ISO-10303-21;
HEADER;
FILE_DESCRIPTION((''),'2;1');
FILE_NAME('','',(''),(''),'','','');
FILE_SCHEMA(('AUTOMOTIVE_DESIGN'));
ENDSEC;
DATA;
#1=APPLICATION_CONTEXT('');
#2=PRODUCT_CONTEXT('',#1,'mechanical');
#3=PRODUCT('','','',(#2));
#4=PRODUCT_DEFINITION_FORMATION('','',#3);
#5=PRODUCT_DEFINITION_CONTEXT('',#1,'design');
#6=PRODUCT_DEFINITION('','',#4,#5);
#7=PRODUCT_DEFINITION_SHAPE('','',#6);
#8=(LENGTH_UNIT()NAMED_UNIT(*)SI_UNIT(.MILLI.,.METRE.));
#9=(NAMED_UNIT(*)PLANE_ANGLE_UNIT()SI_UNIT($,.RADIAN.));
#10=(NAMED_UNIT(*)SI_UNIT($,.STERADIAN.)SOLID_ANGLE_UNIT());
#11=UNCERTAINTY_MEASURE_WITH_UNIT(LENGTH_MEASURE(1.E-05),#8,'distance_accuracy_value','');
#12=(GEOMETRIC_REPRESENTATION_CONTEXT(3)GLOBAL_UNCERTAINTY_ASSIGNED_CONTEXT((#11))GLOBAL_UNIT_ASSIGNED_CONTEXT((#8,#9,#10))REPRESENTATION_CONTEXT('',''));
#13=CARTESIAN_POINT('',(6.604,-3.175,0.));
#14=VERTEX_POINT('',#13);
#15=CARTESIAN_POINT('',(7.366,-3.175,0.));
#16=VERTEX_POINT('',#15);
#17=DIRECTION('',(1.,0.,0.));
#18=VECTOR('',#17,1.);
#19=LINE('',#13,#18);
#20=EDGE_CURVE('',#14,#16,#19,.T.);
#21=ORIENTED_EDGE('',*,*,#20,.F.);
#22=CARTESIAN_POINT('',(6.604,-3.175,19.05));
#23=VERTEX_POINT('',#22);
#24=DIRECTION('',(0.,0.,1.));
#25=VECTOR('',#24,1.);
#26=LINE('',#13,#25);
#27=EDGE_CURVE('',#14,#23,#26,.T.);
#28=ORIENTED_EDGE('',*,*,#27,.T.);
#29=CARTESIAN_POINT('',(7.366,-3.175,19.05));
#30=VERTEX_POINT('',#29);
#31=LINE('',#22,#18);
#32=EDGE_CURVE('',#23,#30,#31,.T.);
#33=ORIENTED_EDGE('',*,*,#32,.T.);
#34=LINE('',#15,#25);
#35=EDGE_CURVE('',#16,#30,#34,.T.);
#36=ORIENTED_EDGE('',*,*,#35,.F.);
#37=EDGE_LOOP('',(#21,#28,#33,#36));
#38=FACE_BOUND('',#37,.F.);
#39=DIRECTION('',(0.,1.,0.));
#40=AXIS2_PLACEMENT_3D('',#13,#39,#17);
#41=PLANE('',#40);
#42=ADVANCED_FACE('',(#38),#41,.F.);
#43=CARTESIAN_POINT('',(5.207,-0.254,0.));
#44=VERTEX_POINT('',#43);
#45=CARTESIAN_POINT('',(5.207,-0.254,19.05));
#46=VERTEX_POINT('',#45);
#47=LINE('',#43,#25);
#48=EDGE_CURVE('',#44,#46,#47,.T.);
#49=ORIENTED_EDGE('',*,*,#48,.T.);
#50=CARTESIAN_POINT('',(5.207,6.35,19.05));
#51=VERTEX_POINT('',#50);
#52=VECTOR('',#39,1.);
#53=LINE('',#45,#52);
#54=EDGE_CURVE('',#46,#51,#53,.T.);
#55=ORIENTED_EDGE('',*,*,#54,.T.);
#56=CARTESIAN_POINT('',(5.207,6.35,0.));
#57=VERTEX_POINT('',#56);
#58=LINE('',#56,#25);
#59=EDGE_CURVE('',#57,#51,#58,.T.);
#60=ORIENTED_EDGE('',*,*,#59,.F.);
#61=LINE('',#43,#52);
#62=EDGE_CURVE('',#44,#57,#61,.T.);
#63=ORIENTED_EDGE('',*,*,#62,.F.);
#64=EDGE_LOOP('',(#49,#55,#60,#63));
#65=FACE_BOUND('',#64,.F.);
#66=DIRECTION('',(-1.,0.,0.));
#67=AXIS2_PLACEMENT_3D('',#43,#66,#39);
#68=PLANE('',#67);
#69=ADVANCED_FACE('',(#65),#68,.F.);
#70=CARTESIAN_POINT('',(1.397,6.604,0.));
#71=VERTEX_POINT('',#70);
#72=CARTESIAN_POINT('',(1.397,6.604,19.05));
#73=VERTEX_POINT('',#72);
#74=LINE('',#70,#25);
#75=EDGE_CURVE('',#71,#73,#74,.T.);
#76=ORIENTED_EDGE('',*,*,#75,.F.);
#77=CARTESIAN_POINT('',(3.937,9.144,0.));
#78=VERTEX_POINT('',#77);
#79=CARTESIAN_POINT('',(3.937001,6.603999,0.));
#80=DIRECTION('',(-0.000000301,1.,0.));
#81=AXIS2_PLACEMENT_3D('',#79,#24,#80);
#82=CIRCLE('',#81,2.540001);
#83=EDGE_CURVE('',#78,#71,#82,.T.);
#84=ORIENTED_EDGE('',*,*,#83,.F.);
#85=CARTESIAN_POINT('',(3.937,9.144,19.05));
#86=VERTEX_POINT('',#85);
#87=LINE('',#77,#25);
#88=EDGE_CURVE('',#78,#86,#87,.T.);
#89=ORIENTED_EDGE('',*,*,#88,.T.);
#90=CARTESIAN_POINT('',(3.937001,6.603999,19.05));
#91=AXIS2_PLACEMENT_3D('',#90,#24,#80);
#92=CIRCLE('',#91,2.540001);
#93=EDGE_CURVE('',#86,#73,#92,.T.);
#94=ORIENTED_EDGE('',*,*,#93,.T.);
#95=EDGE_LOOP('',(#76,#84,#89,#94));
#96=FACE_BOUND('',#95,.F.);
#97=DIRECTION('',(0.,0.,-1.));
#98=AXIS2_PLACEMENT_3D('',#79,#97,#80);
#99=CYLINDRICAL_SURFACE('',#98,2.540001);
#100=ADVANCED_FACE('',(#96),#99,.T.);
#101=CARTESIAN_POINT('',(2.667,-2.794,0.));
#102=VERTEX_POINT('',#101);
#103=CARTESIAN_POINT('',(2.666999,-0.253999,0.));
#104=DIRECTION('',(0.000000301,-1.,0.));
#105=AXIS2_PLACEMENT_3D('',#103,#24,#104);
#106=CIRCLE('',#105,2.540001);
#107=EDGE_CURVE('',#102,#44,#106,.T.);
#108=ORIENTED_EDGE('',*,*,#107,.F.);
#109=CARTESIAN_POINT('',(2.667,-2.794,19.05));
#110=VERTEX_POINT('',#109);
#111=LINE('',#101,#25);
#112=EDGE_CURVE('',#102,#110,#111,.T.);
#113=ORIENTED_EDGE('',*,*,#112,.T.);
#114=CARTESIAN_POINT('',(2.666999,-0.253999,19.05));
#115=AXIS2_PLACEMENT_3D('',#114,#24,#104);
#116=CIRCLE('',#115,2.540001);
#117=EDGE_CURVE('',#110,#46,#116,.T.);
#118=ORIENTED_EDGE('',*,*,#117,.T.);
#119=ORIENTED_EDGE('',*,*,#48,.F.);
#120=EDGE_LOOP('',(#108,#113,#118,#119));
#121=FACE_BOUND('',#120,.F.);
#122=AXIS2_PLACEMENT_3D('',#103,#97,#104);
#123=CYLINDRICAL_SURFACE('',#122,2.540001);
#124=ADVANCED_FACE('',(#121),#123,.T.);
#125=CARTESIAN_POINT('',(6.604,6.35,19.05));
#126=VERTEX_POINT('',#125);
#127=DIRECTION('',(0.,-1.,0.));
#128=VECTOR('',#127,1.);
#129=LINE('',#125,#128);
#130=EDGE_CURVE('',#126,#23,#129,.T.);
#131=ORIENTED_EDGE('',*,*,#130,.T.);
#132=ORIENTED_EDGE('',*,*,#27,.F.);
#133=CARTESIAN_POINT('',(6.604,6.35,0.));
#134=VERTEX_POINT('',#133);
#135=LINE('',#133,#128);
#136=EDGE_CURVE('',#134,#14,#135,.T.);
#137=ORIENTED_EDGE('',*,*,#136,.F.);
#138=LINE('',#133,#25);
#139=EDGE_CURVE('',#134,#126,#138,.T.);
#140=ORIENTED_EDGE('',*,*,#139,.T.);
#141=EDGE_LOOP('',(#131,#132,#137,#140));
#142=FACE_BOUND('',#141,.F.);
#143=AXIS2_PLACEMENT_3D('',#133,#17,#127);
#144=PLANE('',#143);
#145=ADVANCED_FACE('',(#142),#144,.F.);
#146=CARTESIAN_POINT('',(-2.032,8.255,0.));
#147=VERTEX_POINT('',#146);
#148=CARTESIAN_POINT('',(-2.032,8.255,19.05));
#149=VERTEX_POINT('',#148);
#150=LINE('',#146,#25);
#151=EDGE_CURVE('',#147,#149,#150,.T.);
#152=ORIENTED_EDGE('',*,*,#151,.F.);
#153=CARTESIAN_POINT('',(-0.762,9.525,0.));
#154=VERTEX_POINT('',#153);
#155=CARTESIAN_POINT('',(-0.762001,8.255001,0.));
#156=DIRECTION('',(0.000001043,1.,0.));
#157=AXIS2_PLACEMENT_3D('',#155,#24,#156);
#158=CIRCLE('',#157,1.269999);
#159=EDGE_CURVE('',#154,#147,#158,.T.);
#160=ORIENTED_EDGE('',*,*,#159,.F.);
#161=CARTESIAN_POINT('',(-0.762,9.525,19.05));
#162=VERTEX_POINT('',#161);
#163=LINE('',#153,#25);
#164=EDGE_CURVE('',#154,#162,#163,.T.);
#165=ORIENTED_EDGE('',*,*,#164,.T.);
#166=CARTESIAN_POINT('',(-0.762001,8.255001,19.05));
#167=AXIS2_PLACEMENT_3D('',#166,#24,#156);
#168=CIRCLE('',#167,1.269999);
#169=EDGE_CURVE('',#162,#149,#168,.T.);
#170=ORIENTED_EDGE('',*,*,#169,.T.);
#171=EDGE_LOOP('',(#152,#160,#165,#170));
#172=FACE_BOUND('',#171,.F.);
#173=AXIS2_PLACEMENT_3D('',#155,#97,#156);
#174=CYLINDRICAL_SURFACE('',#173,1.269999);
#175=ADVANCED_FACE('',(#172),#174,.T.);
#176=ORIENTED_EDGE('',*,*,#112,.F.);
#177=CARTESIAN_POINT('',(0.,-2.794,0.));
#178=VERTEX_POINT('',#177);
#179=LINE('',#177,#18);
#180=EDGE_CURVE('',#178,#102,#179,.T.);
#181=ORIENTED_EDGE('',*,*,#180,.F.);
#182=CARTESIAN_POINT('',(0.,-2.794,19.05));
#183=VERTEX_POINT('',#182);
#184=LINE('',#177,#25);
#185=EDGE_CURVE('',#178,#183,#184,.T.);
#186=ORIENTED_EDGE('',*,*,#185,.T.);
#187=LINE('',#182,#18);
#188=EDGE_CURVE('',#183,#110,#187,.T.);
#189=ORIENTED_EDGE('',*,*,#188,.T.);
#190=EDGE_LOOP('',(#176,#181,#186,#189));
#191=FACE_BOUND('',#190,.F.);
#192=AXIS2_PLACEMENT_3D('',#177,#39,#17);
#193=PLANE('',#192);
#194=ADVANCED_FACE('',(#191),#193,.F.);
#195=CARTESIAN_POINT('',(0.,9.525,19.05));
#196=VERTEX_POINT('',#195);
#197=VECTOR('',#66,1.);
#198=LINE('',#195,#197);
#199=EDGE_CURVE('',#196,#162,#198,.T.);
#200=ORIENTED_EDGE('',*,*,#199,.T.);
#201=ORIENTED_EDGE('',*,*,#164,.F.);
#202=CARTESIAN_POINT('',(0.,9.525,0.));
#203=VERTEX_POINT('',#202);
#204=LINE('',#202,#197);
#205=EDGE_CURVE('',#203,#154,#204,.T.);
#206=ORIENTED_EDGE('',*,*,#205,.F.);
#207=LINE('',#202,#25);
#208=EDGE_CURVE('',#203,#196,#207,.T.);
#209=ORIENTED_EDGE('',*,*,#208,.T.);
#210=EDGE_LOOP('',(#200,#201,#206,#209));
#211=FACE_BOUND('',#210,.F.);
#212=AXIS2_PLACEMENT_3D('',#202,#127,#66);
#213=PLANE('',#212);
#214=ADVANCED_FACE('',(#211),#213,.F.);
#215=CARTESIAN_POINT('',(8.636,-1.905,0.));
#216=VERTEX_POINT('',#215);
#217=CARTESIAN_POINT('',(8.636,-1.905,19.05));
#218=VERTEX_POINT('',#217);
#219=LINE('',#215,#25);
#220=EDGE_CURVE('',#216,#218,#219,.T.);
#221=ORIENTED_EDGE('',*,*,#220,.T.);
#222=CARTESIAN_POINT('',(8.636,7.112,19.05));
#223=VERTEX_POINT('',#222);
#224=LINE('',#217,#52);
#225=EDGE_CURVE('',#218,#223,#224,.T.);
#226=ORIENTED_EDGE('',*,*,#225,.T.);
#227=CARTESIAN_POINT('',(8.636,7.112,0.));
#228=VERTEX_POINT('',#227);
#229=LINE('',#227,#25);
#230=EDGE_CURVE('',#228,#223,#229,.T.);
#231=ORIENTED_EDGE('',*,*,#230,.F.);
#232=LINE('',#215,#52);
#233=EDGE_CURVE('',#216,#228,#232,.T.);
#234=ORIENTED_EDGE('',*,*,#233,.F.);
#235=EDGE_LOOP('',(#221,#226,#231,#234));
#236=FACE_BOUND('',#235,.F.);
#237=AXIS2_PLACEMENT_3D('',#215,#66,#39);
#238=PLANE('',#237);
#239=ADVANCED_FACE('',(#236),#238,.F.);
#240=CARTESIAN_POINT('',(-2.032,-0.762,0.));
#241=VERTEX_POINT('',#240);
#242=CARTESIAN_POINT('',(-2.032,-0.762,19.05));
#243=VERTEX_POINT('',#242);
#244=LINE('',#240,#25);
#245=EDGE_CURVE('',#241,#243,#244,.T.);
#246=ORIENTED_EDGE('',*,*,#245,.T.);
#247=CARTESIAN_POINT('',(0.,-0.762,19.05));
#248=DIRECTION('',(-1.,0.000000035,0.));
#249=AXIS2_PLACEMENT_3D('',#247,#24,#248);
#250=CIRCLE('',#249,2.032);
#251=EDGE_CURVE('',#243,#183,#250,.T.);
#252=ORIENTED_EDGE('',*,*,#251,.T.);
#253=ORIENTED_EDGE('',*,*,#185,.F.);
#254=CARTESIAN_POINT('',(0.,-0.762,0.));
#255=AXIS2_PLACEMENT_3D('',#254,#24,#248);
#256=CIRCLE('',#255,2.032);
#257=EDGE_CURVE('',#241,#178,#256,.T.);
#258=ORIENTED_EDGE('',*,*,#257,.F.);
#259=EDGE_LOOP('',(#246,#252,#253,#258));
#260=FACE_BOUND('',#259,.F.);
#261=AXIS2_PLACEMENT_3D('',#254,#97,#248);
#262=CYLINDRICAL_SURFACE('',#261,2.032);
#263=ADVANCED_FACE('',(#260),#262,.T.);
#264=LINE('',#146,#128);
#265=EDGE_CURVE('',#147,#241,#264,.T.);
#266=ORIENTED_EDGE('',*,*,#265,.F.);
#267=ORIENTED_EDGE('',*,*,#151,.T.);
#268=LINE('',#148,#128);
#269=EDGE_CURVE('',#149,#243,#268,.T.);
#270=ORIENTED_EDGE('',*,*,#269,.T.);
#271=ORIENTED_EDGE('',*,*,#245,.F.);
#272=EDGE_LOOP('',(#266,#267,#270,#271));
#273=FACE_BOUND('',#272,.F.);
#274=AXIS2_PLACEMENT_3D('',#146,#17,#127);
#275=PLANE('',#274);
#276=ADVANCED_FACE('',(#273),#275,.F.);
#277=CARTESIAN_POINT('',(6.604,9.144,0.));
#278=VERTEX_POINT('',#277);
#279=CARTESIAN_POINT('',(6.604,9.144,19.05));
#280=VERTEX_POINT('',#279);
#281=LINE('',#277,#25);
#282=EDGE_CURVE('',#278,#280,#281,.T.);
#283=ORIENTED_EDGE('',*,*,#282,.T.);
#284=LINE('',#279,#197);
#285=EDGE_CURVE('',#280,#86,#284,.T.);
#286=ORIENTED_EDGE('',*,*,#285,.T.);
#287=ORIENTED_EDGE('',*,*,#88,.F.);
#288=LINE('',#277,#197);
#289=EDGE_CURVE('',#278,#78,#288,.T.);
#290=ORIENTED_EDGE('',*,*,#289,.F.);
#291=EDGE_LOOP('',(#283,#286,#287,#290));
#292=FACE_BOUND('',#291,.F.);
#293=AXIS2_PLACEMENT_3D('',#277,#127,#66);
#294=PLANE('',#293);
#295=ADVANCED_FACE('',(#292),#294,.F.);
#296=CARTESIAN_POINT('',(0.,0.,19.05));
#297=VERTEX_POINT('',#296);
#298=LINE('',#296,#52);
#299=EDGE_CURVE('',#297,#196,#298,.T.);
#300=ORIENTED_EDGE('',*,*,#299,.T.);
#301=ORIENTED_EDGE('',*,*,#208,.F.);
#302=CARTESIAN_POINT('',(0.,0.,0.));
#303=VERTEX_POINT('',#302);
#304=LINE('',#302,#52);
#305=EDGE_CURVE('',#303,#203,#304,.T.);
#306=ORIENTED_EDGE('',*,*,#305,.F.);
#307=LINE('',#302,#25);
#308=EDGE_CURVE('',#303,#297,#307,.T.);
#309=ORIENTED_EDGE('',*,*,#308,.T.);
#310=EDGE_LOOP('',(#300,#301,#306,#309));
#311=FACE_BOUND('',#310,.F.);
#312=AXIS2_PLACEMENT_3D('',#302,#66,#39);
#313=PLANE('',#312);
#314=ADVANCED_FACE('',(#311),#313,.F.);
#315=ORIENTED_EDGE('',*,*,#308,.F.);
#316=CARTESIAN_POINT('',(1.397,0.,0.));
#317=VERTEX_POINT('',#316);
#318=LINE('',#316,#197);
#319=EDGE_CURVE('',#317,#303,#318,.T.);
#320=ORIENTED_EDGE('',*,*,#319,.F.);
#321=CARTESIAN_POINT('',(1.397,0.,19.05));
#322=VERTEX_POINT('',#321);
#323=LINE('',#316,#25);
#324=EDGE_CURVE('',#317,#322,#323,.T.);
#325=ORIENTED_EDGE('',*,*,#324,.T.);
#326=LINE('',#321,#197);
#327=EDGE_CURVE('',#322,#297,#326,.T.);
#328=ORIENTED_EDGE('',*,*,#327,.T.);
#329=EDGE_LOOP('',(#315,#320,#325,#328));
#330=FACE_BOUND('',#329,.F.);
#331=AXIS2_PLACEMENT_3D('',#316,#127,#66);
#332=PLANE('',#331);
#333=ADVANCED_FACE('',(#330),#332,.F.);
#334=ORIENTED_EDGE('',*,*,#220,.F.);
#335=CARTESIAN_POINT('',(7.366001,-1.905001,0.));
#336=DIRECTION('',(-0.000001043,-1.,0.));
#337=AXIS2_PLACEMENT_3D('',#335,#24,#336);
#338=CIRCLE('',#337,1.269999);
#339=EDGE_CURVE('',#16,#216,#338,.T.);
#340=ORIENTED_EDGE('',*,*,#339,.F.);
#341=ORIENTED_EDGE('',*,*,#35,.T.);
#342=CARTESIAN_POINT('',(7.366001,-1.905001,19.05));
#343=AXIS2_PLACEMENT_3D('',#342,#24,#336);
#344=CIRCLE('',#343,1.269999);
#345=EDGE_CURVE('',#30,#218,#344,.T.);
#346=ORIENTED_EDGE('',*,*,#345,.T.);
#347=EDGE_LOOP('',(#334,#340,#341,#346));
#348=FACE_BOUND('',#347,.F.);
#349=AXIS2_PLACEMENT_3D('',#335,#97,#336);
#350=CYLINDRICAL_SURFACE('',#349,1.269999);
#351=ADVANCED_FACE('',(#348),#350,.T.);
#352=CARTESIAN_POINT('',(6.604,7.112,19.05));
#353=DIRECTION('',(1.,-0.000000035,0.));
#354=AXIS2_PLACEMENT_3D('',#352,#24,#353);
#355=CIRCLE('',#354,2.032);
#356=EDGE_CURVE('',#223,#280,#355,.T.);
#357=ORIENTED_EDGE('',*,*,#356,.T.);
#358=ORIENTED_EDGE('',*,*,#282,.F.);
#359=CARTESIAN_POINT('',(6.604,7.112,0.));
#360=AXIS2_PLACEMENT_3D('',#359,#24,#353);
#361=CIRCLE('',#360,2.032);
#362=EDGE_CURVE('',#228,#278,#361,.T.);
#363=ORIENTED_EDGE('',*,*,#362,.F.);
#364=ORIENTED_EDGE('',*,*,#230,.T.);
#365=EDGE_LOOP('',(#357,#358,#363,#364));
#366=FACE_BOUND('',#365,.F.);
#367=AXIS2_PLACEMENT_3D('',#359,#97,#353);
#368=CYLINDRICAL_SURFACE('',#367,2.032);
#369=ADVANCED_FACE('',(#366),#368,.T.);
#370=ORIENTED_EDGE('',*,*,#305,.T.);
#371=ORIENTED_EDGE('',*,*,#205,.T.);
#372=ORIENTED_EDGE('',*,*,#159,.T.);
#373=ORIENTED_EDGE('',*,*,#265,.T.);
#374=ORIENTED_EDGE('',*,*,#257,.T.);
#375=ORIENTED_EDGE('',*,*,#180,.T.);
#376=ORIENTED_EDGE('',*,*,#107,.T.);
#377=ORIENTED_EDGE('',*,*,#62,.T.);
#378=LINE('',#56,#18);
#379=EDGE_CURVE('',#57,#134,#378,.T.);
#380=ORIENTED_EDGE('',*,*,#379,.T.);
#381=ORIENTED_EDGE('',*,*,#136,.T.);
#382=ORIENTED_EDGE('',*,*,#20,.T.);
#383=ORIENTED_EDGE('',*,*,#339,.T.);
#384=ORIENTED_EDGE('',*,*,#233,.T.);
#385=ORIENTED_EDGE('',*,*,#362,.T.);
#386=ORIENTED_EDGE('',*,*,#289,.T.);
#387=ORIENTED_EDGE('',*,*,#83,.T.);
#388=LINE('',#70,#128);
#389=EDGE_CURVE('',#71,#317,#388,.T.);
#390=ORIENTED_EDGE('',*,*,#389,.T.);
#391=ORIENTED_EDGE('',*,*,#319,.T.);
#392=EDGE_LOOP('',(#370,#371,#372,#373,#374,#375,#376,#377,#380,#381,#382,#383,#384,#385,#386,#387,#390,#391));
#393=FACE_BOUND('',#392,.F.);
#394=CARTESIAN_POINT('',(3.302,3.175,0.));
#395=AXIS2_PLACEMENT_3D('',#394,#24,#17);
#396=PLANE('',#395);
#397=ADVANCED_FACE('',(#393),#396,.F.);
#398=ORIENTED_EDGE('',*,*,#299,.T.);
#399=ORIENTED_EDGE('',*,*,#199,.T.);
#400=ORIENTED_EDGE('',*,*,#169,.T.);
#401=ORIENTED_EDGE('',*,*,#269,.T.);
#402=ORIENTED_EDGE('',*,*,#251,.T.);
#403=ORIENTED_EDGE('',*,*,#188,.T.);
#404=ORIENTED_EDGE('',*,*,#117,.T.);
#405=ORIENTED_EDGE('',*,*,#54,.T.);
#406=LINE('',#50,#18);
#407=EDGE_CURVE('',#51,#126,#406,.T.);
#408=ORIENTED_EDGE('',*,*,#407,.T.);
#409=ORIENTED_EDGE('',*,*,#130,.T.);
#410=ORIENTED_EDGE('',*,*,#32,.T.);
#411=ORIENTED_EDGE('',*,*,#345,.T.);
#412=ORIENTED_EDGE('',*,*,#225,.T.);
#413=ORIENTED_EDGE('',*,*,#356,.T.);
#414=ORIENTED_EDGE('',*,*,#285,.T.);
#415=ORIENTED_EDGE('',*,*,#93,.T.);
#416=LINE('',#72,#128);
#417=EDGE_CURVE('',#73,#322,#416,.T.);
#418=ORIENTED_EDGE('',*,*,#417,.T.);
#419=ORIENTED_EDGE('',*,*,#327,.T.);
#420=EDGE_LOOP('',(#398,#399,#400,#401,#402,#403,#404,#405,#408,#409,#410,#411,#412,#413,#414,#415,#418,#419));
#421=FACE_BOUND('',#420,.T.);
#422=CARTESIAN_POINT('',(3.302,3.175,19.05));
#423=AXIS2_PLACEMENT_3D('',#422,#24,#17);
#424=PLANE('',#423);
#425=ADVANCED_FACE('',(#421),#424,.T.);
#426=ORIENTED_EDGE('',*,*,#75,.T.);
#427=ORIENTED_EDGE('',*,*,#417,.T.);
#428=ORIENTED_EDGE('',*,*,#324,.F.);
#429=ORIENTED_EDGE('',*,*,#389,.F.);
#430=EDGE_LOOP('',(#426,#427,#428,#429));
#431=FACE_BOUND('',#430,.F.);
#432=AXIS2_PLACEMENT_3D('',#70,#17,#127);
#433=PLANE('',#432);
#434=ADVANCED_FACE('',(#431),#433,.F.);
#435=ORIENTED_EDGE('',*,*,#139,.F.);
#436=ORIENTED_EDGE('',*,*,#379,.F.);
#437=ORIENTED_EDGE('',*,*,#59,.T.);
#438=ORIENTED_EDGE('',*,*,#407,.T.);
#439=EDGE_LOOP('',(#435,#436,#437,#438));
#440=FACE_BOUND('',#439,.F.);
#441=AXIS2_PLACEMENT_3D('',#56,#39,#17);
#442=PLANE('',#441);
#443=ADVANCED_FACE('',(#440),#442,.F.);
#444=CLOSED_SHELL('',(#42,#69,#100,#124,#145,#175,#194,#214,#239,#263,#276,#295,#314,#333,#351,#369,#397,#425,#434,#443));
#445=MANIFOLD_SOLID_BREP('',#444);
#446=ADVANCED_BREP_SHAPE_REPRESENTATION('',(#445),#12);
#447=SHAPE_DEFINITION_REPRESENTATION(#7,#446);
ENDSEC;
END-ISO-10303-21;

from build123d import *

# Parameters (mm, degrees)
F1_DEPTH = 19.05


with BuildPart() as f1:
    # F0 (on Top) → F1 (new body)
    with BuildSketch(Plane.XY):
        with BuildLine():
            Line((0, 0), (0, 9.525))
            Line((0, 9.525), (-0.762, 9.525))
            ThreePointArc((-0.762, 9.525), (-1.660026, 9.153026), (-2.032, 8.255))
            Line((-2.032, 8.255), (-2.032, -0.762))
            ThreePointArc((-2.032, -0.762), (-1.436841, -2.198841), (0, -2.794))
            Line((0, -2.794), (2.667, -2.794))
            ThreePointArc((2.667, -2.794), (4.463051, -2.050051), (5.207, -0.254))
            Line((5.207, -0.254), (5.207, 6.35))
            Line((5.207, 6.35), (6.604, 6.35))
            Line((6.604, 6.35), (6.604, -3.175))
            Line((6.604, -3.175), (7.366, -3.175))
            ThreePointArc((7.366, -3.175), (8.264026, -2.803026), (8.636, -1.905))
            Line((8.636, -1.905), (8.636, 7.112))
            ThreePointArc((8.636, 7.112), (8.040841, 8.548841), (6.604, 9.144))
            Line((6.604, 9.144), (3.937, 9.144))
            ThreePointArc((3.937, 9.144), (2.140949, 8.400051), (1.397, 6.604))
            Line((1.397, 6.604), (1.397, 0))
            Line((1.397, 0), (0, 0))
        make_face()
    extrude(amount=F1_DEPTH)


solid = f1.part
